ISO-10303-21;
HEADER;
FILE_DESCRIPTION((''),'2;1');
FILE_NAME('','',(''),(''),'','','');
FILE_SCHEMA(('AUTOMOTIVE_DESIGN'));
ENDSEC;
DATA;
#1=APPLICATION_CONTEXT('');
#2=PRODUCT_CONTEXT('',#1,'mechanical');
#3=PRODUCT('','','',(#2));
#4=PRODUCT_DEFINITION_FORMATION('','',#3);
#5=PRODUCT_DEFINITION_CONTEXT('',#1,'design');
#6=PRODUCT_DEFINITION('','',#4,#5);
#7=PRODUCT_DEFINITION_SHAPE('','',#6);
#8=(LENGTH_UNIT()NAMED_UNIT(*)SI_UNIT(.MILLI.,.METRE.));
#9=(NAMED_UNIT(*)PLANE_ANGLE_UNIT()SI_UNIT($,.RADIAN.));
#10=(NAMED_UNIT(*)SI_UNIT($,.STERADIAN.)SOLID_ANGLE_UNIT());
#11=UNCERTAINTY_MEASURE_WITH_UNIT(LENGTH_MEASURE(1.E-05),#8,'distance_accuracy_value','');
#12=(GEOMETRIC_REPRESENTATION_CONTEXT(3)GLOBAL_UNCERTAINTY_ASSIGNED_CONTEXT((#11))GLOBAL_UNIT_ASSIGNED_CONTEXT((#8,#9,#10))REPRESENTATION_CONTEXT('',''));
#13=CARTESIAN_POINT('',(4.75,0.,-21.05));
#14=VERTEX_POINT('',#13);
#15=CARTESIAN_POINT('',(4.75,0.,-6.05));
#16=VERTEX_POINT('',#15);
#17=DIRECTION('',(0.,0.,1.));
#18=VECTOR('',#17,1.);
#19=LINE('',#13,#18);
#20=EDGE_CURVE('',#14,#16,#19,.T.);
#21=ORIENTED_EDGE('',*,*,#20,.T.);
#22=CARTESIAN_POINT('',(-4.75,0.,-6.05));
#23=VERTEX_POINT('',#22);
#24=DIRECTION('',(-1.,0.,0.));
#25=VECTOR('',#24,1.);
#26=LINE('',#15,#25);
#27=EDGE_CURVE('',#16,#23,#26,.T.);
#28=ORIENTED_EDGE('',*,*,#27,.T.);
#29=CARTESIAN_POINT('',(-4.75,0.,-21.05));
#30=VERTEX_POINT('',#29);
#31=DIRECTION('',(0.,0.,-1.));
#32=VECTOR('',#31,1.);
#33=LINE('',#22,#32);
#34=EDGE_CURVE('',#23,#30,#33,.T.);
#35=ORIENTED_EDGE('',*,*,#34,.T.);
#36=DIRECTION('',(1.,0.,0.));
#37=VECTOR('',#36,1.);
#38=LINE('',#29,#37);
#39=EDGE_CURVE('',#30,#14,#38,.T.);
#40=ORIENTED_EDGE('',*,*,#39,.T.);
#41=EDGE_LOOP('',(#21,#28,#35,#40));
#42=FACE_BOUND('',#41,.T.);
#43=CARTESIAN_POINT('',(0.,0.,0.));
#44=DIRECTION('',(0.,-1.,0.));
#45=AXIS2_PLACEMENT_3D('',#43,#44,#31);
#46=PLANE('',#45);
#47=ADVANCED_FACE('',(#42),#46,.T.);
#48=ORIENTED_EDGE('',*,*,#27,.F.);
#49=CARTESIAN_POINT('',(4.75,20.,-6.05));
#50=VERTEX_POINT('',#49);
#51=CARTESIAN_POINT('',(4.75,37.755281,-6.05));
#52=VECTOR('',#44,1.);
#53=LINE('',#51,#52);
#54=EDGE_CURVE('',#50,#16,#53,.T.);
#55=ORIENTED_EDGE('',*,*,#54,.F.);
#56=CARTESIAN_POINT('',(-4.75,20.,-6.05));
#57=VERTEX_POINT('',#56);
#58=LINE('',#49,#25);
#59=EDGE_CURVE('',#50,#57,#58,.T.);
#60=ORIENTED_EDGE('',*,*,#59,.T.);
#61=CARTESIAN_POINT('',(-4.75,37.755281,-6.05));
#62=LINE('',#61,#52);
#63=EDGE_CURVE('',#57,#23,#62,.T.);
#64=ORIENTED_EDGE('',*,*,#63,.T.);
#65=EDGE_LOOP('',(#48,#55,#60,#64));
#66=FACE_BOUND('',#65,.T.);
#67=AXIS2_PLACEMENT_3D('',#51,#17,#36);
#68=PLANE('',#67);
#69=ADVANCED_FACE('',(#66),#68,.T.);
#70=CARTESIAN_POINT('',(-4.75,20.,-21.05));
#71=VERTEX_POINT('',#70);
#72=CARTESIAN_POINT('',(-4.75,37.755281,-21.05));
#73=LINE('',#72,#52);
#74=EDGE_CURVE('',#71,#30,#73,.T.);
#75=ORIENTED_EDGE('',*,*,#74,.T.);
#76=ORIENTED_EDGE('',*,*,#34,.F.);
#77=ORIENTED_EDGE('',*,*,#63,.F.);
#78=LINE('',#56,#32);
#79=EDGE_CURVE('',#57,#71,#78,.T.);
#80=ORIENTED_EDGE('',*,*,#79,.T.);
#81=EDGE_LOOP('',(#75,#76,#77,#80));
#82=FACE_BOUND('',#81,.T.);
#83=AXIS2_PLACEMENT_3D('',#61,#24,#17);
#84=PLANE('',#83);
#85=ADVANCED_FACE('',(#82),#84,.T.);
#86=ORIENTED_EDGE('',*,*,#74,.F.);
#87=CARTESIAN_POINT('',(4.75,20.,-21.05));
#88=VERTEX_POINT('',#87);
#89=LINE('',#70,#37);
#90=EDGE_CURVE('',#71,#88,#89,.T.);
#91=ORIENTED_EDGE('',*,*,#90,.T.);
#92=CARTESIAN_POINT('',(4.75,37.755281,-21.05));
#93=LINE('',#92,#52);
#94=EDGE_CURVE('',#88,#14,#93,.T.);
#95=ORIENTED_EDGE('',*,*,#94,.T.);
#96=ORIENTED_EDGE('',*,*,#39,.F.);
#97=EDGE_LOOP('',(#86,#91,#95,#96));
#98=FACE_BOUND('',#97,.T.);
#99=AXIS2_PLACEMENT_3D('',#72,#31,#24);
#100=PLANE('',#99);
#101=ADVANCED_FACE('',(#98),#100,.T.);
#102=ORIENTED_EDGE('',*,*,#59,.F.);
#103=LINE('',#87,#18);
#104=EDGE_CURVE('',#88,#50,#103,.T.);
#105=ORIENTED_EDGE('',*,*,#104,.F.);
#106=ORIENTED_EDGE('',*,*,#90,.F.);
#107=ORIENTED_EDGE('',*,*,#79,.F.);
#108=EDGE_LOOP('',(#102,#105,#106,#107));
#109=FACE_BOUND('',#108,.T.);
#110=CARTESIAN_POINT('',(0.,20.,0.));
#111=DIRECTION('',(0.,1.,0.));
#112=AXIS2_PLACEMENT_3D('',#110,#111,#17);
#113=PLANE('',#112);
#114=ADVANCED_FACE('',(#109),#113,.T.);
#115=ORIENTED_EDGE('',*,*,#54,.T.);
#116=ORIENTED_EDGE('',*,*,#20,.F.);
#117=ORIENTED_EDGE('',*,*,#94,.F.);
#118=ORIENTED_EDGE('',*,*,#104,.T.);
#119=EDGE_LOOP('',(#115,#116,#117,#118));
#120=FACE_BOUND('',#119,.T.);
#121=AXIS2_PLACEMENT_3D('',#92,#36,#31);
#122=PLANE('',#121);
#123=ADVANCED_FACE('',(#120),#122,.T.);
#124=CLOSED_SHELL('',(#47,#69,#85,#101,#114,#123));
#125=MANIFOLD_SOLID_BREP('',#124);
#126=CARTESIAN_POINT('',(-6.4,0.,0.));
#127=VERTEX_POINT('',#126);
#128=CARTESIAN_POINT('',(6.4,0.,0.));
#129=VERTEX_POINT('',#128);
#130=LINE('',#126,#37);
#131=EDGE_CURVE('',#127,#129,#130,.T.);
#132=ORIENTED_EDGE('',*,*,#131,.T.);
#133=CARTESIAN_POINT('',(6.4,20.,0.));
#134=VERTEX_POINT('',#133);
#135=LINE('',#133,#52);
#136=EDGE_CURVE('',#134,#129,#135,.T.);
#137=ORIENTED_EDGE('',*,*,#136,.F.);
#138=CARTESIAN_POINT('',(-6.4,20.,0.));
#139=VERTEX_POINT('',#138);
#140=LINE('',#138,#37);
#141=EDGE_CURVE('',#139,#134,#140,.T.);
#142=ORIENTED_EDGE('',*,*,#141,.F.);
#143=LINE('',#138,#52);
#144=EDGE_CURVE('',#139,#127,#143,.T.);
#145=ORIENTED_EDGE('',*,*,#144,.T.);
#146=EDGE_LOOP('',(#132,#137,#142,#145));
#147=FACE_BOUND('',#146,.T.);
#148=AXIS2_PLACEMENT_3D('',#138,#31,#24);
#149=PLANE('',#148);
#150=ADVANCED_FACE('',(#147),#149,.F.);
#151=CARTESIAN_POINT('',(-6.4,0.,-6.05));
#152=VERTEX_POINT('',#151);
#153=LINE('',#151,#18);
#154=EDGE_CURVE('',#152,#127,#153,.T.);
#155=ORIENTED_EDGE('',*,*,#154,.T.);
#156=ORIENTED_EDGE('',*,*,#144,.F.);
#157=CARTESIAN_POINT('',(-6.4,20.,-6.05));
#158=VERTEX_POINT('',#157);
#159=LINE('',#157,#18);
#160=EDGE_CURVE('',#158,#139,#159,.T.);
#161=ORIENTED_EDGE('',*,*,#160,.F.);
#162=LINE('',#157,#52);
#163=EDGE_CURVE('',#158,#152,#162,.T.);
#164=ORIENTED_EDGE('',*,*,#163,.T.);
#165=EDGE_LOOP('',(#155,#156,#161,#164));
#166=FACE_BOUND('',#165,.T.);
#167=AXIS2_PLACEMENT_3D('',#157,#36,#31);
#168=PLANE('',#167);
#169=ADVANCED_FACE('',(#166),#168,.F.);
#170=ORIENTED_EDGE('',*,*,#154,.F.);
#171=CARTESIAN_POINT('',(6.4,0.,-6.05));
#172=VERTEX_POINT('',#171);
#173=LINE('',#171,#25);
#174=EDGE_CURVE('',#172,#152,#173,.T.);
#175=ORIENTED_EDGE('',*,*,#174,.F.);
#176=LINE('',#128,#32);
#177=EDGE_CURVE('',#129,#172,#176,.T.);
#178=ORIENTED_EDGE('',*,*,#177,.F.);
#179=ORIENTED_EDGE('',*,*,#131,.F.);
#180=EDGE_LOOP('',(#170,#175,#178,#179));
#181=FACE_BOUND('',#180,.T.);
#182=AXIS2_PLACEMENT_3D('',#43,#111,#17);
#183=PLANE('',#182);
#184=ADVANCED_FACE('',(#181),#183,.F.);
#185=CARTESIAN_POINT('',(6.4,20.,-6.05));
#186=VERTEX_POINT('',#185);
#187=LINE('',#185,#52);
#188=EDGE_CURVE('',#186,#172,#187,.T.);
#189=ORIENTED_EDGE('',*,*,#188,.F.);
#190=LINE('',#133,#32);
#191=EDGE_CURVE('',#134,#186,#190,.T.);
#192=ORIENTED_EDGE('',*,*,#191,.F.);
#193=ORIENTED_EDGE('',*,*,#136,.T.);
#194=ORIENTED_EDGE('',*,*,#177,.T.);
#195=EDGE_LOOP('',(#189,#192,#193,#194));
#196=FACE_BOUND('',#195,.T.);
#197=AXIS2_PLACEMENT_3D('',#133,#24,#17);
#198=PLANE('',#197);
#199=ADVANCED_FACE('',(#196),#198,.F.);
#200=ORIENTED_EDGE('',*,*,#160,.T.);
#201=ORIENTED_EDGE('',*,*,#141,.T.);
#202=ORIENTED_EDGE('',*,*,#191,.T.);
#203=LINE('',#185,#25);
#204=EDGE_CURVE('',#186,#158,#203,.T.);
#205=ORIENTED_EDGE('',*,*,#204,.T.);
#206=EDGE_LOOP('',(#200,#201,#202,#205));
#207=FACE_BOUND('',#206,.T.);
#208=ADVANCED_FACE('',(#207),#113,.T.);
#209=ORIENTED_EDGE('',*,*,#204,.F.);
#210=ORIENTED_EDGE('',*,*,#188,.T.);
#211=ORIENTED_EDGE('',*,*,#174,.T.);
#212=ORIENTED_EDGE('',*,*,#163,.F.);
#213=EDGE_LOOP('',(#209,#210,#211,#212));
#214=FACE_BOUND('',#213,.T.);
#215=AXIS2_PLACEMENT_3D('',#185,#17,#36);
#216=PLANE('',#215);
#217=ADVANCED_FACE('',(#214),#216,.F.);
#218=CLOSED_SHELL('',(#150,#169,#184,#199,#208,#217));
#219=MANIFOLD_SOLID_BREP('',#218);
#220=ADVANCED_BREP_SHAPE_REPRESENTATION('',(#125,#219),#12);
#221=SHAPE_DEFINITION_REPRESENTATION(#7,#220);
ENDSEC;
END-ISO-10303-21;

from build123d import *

# Parameters (mm, degrees)
SKETCH_1_W      = 12.8
SKETCH_1_H      = 6.05
EXTRUDE_1_DEPTH = 20
SKETCH_2_W      = 9.5
SKETCH_2_H      = 15
EXTRUDE_2_DEPTH = 20


with BuildPart() as part:
    # 草图1 → 凸台-拉伸1 (new body)
    with BuildSketch(Plane(origin=(0, 0, 0), x_dir=(1, 0, 0), z_dir=(0, 1, 0))):
        with Locations((0, 3.025)):
            Rectangle(SKETCH_1_W, SKETCH_1_H)
    extrude(amount=EXTRUDE_1_DEPTH)


with BuildPart() as body_2:
    # 草图2 → 凸台-拉伸2 (new body)
    with BuildSketch(Plane.XZ):
        with Locations((0, -13.55)):
            Rectangle(SKETCH_2_W, SKETCH_2_H)
    extrude(amount=-EXTRUDE_2_DEPTH)


solid = Compound([part.part, body_2.part])
